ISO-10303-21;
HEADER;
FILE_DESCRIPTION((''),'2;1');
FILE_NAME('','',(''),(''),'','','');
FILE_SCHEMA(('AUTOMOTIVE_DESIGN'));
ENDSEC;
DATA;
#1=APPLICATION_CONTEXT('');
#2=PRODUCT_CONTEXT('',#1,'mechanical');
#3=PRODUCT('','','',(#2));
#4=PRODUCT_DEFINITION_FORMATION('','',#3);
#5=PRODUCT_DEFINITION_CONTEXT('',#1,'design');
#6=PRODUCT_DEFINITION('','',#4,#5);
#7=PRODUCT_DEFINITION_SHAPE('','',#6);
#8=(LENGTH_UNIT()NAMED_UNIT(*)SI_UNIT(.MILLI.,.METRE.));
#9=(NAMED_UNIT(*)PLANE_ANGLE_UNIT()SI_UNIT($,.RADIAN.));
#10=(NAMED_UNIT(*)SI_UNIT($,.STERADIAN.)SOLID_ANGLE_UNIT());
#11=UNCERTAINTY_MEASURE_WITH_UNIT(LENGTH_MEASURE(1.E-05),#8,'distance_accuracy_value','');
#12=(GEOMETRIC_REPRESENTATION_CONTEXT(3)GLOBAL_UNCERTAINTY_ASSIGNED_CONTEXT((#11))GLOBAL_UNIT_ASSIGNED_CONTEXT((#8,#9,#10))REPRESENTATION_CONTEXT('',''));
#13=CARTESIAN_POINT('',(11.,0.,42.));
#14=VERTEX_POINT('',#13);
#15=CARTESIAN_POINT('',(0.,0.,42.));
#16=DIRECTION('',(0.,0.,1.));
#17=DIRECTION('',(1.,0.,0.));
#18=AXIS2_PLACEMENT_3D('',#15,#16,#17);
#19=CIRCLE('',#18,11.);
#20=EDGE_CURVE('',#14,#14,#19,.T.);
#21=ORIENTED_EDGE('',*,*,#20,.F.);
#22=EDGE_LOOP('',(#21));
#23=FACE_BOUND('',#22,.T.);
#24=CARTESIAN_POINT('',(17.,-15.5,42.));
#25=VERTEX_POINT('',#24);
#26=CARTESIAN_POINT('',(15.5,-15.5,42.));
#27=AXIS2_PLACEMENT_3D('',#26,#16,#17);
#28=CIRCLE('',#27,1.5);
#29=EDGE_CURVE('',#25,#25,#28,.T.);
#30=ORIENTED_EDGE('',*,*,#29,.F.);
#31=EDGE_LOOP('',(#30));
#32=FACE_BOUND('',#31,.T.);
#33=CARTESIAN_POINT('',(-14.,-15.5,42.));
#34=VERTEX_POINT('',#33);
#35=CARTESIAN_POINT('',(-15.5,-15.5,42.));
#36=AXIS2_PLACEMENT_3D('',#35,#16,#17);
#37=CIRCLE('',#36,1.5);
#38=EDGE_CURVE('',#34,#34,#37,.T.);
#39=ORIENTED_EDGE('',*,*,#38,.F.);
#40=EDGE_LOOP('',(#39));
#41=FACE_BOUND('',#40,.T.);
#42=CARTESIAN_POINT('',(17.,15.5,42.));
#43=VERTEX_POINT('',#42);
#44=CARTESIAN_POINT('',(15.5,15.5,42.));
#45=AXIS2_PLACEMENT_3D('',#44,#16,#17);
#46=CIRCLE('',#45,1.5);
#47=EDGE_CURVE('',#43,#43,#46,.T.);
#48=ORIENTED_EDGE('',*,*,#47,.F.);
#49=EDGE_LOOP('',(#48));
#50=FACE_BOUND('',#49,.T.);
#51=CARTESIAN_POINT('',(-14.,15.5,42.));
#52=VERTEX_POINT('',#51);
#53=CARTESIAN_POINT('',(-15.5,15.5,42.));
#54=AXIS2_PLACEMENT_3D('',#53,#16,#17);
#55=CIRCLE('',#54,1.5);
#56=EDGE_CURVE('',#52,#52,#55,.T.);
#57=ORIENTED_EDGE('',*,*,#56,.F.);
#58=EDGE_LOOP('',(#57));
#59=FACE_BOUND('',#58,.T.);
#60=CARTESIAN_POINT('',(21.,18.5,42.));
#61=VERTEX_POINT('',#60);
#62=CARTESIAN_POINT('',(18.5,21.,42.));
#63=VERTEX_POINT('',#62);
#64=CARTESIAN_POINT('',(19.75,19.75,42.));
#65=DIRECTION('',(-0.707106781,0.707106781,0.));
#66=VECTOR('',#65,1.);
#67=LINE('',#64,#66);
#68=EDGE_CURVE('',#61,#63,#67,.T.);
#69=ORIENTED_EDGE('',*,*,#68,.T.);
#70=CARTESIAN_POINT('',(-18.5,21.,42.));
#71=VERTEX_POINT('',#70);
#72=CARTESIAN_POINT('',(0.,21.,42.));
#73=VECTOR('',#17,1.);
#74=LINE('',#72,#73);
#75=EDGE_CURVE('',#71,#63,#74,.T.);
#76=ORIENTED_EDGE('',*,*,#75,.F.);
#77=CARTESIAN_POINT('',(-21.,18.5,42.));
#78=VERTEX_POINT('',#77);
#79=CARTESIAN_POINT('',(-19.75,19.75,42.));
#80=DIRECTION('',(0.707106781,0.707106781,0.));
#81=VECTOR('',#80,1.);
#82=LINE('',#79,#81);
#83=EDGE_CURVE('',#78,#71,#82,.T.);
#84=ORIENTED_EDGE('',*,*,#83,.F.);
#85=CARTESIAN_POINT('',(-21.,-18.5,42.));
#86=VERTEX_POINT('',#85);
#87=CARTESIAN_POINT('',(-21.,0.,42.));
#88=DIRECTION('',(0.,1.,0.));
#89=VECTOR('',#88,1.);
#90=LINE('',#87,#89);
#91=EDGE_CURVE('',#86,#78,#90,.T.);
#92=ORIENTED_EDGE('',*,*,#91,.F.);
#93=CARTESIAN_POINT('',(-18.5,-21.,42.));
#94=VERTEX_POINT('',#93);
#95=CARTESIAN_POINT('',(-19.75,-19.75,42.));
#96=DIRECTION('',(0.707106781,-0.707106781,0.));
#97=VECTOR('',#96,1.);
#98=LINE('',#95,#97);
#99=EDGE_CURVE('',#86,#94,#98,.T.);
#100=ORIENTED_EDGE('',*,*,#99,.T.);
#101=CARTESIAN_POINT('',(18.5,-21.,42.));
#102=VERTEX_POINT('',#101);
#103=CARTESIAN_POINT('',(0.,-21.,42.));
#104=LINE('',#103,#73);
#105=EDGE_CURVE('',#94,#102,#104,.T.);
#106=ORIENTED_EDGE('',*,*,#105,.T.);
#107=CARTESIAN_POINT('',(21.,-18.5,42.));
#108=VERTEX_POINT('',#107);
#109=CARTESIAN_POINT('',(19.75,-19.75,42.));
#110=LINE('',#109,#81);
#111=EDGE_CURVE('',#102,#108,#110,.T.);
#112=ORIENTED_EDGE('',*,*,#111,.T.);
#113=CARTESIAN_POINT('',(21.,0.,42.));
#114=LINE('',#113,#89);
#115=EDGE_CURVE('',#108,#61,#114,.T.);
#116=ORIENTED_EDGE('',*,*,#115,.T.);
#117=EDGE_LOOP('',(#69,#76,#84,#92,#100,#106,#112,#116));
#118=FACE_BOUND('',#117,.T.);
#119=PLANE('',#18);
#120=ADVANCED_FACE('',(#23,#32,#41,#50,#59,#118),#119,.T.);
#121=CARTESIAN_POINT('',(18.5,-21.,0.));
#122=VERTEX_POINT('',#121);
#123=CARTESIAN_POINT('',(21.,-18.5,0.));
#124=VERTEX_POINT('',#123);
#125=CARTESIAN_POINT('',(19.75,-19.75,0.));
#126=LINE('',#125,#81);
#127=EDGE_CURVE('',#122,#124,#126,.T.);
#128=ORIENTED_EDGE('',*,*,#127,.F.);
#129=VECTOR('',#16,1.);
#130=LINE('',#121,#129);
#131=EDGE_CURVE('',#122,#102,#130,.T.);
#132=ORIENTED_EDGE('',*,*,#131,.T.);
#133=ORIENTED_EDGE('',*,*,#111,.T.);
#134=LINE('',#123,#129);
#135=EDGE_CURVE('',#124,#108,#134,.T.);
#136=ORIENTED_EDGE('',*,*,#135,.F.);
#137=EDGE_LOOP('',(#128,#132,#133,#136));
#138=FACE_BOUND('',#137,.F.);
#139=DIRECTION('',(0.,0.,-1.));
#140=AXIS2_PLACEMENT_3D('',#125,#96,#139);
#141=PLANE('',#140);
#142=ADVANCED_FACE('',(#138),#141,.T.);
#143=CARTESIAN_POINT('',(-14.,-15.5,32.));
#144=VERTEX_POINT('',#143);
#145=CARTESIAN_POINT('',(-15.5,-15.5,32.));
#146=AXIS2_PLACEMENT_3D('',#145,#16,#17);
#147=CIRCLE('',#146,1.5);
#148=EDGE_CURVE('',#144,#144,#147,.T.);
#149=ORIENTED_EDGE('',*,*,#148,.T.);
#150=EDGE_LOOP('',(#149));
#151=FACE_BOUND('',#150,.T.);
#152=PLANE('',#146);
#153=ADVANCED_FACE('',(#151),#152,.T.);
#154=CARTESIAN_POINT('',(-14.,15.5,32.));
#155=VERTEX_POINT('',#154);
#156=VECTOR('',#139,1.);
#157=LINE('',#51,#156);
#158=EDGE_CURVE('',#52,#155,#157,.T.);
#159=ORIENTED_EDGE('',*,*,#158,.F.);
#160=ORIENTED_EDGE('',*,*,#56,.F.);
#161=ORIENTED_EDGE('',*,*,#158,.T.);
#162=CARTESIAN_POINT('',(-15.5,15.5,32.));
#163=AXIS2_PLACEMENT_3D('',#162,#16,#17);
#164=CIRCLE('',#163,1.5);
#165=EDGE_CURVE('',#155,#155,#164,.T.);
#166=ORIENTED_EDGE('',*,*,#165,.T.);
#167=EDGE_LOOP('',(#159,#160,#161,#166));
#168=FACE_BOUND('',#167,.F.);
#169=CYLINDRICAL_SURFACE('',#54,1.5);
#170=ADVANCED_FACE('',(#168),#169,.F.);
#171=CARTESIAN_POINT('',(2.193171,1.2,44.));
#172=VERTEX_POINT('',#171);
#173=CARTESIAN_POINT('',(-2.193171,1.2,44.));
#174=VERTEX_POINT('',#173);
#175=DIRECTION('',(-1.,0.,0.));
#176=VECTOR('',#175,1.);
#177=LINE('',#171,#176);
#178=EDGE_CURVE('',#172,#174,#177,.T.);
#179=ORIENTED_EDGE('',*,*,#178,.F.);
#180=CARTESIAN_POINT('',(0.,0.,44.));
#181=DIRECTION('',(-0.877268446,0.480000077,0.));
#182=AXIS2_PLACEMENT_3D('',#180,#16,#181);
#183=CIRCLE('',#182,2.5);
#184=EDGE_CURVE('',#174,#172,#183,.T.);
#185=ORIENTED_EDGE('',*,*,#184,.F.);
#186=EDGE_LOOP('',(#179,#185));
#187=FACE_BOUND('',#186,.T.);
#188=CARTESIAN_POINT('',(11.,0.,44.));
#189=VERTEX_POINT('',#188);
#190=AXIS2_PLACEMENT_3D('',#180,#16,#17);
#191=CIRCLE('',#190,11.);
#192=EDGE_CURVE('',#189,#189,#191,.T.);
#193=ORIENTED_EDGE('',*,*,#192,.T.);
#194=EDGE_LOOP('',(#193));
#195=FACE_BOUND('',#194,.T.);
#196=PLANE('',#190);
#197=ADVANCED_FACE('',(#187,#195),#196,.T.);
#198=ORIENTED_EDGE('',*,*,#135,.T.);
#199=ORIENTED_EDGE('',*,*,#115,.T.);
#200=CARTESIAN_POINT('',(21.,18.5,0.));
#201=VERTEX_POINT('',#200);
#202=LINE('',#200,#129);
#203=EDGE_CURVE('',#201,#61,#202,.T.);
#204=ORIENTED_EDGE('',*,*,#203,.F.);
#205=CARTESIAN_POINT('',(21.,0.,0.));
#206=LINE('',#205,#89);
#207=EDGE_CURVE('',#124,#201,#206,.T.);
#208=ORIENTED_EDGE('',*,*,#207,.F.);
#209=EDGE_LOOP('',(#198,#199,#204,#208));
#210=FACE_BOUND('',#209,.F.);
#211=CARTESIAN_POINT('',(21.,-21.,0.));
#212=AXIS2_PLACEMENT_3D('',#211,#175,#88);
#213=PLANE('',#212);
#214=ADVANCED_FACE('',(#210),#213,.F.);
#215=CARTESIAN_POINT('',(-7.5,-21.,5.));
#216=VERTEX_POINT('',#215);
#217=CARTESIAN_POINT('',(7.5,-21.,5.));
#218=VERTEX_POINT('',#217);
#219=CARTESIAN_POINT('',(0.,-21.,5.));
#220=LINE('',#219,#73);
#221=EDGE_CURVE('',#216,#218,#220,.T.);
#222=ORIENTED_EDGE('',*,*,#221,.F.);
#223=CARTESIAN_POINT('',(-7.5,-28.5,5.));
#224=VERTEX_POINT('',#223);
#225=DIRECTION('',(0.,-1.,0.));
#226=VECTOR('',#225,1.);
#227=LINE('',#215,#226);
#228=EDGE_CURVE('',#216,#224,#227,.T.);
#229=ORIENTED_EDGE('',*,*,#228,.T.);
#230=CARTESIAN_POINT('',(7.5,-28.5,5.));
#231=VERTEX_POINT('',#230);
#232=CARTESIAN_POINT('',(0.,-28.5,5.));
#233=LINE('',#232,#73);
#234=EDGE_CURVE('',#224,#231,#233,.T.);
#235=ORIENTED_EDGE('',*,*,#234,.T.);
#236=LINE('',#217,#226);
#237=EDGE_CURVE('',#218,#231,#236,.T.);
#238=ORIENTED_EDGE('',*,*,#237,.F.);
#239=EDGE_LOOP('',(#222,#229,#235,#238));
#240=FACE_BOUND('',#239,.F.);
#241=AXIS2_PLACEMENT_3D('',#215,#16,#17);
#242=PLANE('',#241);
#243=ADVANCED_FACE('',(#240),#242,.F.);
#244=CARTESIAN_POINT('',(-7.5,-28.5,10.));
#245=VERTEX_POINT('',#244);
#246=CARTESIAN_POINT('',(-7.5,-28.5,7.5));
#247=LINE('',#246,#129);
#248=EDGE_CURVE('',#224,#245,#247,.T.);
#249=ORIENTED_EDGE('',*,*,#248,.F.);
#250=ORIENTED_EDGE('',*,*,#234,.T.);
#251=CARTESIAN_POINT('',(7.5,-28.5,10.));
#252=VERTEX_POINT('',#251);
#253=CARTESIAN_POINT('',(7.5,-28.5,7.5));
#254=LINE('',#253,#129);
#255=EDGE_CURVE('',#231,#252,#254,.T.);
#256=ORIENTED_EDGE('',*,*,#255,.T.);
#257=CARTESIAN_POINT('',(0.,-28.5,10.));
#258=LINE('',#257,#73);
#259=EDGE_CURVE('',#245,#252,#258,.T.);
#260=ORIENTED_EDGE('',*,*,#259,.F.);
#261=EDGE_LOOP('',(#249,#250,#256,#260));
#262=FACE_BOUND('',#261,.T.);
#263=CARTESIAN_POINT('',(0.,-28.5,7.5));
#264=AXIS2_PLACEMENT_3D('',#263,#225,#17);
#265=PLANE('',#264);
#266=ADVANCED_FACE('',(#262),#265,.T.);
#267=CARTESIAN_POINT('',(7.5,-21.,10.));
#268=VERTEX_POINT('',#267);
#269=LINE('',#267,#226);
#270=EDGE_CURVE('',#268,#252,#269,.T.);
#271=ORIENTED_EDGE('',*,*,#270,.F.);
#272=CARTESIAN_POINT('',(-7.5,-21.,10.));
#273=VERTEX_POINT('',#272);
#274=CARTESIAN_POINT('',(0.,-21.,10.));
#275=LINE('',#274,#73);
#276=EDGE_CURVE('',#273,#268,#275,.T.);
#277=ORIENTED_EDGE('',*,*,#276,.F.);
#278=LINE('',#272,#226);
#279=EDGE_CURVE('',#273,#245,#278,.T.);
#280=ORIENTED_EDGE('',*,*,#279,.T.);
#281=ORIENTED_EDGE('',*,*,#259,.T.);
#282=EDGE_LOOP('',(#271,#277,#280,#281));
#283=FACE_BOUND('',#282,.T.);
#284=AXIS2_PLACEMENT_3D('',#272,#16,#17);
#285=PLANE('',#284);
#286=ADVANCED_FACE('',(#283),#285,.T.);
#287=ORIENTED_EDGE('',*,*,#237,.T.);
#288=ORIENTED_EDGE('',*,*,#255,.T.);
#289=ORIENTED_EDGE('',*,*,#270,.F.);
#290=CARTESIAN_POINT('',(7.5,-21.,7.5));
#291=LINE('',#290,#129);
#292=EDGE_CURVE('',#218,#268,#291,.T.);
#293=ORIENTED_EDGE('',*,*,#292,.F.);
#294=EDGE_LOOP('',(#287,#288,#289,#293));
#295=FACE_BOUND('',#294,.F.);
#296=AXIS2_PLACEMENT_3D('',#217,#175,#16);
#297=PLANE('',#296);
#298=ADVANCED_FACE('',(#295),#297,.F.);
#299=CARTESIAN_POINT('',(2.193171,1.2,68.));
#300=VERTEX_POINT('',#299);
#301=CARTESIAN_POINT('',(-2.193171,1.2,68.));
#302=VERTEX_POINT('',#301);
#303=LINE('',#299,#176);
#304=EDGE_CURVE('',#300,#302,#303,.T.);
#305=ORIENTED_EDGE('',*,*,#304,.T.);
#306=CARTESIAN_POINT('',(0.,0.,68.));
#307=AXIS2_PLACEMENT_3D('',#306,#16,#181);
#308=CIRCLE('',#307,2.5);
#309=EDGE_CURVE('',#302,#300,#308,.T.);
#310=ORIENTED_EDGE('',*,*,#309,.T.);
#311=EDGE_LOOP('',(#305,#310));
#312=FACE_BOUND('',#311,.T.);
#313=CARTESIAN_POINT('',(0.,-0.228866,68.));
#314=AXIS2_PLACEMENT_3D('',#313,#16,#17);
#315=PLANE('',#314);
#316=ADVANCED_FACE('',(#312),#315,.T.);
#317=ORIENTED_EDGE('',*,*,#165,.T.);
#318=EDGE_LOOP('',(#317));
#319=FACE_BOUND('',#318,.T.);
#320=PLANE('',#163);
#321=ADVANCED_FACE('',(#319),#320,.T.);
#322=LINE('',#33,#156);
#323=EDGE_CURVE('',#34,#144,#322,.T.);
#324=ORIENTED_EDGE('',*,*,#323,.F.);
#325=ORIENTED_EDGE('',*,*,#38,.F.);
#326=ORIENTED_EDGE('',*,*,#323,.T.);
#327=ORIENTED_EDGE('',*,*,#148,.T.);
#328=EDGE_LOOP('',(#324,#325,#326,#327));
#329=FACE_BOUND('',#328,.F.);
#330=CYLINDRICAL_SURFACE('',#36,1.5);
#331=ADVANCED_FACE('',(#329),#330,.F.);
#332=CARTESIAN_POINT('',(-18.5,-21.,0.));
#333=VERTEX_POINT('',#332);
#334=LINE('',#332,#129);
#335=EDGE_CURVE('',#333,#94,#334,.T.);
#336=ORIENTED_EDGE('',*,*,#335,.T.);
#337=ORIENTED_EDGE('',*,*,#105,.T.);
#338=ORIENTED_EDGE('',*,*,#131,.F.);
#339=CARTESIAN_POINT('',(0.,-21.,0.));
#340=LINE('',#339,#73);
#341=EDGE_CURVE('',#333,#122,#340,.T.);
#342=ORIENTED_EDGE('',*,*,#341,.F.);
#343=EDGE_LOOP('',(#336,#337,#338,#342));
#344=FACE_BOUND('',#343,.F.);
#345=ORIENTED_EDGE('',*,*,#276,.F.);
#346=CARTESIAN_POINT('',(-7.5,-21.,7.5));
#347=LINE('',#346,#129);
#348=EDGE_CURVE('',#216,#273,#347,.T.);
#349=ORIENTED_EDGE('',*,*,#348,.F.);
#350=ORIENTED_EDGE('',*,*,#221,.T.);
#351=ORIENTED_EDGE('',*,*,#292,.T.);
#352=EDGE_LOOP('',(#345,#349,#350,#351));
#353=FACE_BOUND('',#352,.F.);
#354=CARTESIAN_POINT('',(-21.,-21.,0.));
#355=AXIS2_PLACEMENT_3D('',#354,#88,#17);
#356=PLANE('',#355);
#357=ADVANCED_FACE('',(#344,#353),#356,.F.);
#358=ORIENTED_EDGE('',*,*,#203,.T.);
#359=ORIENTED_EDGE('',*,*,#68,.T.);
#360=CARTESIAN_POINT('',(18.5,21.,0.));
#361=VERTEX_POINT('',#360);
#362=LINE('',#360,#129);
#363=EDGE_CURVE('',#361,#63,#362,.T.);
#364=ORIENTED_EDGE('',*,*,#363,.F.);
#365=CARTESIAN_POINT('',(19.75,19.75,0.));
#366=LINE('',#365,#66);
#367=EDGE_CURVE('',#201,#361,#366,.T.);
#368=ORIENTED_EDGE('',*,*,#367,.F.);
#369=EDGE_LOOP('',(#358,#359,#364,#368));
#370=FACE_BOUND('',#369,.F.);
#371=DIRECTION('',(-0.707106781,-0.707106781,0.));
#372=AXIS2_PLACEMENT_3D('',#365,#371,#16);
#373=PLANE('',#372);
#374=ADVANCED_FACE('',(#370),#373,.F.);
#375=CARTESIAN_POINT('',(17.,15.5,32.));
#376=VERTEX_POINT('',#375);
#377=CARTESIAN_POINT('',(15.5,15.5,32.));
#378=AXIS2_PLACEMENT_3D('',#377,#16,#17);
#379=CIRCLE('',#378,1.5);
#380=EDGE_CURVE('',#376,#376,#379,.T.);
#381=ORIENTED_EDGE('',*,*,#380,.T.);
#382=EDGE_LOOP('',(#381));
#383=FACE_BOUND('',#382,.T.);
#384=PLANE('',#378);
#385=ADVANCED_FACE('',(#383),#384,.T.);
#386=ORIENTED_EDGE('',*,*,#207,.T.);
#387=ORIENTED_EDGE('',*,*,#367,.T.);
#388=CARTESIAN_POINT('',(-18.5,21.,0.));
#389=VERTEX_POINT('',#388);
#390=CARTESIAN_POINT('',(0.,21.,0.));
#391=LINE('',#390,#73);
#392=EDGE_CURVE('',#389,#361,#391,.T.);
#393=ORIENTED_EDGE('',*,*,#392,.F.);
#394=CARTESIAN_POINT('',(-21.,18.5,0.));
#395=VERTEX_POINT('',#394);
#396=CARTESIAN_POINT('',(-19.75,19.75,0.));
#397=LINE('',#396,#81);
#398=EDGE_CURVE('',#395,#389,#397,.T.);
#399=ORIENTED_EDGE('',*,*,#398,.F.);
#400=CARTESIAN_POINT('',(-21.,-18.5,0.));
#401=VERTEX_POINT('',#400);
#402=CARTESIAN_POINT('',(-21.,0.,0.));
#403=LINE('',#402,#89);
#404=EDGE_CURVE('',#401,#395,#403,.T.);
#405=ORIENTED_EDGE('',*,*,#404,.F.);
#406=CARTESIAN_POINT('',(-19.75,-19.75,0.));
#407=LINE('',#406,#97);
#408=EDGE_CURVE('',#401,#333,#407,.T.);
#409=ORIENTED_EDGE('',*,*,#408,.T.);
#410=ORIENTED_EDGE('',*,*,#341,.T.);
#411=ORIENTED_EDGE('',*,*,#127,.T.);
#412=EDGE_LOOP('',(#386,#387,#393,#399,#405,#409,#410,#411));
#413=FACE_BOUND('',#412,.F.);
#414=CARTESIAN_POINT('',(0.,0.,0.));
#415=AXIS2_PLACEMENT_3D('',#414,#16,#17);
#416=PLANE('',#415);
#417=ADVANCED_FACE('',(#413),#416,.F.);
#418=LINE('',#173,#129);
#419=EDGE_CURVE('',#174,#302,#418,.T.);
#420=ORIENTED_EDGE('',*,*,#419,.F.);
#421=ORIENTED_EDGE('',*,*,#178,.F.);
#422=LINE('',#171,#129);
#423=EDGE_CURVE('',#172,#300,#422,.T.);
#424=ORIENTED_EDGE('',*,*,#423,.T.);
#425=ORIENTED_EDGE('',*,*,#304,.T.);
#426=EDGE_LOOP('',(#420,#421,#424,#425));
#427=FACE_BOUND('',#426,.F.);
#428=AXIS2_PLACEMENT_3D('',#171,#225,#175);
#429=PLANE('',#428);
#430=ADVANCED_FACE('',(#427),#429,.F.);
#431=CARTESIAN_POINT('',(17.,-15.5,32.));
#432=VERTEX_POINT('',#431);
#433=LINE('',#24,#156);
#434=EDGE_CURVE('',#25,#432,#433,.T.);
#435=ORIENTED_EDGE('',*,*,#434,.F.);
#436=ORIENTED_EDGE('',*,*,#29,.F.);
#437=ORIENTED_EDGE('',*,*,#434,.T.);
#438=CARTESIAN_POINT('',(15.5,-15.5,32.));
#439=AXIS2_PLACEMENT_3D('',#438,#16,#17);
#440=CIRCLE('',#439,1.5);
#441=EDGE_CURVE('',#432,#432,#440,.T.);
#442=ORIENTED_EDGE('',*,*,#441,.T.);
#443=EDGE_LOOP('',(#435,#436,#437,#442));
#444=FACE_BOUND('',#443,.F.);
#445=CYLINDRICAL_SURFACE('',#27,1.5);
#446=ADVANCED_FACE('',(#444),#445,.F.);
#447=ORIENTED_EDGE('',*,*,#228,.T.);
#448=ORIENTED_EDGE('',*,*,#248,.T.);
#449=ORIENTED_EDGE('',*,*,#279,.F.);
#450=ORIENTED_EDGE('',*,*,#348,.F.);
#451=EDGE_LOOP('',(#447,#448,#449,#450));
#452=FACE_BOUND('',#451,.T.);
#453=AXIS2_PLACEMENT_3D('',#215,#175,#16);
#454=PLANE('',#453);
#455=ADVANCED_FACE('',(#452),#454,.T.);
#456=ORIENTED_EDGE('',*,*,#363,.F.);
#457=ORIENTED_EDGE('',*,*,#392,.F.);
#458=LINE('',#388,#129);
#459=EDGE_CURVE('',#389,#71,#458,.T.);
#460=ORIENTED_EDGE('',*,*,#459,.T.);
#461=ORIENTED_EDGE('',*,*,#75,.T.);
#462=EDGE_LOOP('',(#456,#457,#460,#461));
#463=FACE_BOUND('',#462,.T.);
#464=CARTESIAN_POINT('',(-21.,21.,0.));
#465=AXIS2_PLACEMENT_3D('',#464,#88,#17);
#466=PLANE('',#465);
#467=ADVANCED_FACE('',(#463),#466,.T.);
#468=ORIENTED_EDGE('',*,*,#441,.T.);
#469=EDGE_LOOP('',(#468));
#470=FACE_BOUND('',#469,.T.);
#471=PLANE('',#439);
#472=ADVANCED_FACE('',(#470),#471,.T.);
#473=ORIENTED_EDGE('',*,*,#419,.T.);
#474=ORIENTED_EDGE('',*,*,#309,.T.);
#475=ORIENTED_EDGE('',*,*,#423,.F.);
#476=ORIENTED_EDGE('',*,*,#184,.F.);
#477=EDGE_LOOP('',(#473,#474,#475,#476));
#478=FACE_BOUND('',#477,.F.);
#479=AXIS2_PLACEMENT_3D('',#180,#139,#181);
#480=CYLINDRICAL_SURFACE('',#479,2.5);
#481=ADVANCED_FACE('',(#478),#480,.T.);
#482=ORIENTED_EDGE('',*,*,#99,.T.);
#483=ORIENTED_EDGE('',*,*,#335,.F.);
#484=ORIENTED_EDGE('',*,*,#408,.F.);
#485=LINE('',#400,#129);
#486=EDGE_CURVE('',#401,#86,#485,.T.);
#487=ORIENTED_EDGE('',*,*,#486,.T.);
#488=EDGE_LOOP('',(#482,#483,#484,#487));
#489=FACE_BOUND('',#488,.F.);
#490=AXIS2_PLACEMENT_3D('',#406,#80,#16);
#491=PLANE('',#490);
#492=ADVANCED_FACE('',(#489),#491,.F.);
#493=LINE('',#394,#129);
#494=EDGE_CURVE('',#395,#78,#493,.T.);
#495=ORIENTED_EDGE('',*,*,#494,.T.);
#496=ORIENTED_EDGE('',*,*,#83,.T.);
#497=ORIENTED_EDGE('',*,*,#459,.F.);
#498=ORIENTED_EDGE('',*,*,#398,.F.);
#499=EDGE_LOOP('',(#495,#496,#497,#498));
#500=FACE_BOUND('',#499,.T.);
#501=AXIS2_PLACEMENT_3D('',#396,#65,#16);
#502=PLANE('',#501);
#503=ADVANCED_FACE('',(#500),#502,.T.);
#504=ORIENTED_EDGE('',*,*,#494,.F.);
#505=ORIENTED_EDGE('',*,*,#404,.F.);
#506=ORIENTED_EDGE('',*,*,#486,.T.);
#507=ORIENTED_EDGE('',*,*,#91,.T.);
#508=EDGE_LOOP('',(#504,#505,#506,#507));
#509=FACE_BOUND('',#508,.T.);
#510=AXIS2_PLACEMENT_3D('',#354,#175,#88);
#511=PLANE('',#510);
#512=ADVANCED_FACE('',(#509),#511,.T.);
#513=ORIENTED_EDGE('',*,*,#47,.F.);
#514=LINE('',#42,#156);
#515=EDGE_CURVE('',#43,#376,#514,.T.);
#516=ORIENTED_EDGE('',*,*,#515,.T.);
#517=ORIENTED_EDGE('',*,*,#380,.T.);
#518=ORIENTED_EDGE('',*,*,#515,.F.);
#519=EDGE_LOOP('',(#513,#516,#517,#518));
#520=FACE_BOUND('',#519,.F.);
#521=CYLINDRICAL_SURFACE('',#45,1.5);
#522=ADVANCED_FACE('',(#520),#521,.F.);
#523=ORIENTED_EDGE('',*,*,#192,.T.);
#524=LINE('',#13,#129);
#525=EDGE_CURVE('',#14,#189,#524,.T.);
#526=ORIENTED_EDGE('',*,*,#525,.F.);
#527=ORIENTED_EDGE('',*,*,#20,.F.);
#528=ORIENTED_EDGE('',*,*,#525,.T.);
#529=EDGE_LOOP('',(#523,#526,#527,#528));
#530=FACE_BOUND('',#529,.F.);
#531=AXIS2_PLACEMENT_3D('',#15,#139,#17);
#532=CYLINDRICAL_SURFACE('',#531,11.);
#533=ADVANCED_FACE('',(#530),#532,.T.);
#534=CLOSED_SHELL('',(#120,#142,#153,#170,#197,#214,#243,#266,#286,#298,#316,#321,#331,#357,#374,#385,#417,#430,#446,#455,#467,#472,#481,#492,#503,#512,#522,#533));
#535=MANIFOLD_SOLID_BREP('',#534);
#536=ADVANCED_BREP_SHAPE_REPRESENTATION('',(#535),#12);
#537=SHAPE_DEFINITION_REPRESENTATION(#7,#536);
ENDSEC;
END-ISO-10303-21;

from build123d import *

# Parameters (mm, degrees)
F0_W      = 42
F0_H      = 42
F1_DEPTH  = 42
F2_SIZE   = 2.5
F3_R      = 1.5
F4_DEPTH  = 10
F5_R      = 11
F6_DEPTH  = 2
F8_DEPTH  = 24
F9_W      = 15
F9_H      = 5
F10_DEPTH = 7.5


with BuildPart() as f1:
    # F0 (on Top) → F1 (new body)
    with BuildSketch(Plane.XY):
        Rectangle(F0_W, F0_H)
    extrude(amount=F1_DEPTH)

    # F2
    f2_edges = [f1.edges().sort_by_distance(p)[0] for p in [
        (-21, -21, 21),
        (21, -21, 21),
        (21, 21, 21),
        (-21, 21, 21),
    ]]
    chamfer(f2_edges, length=F2_SIZE)

    # F3 (on face) → F4 (cut)
    with BuildSketch(Plane.XY.offset(42)):
        with Locations((-15.5, 15.5)):
            Circle(F3_R)
        with Locations((15.5, 15.5)):
            Circle(F3_R)
        with Locations((15.5, -15.5)):
            Circle(F3_R)
        with Locations((-15.5, -15.5)):
            Circle(F3_R)
    extrude(amount=-F4_DEPTH, mode=Mode.SUBTRACT)

    # F5 (on face) → F6 (join)
    with BuildSketch(Plane.XY.offset(42)):
        Circle(F5_R)
    extrude(amount=F6_DEPTH)

    # F7 (on face) → F8 (join)
    with BuildSketch(Plane.XY.offset(44)):
        with BuildLine():
            Line((2.193171, 1.2), (-2.193171, 1.2))
            ThreePointArc((-2.193171, 1.2), (0, -2.5), (2.193171, 1.2))
        make_face()
    extrude(amount=F8_DEPTH)

    # F9 (on face) → F10 (join)
    with BuildSketch(Plane.XZ.offset(21)):
        with Locations((0, 7.5)):
            Rectangle(F9_W, F9_H)
    extrude(amount=F10_DEPTH)


solid = f1.part
